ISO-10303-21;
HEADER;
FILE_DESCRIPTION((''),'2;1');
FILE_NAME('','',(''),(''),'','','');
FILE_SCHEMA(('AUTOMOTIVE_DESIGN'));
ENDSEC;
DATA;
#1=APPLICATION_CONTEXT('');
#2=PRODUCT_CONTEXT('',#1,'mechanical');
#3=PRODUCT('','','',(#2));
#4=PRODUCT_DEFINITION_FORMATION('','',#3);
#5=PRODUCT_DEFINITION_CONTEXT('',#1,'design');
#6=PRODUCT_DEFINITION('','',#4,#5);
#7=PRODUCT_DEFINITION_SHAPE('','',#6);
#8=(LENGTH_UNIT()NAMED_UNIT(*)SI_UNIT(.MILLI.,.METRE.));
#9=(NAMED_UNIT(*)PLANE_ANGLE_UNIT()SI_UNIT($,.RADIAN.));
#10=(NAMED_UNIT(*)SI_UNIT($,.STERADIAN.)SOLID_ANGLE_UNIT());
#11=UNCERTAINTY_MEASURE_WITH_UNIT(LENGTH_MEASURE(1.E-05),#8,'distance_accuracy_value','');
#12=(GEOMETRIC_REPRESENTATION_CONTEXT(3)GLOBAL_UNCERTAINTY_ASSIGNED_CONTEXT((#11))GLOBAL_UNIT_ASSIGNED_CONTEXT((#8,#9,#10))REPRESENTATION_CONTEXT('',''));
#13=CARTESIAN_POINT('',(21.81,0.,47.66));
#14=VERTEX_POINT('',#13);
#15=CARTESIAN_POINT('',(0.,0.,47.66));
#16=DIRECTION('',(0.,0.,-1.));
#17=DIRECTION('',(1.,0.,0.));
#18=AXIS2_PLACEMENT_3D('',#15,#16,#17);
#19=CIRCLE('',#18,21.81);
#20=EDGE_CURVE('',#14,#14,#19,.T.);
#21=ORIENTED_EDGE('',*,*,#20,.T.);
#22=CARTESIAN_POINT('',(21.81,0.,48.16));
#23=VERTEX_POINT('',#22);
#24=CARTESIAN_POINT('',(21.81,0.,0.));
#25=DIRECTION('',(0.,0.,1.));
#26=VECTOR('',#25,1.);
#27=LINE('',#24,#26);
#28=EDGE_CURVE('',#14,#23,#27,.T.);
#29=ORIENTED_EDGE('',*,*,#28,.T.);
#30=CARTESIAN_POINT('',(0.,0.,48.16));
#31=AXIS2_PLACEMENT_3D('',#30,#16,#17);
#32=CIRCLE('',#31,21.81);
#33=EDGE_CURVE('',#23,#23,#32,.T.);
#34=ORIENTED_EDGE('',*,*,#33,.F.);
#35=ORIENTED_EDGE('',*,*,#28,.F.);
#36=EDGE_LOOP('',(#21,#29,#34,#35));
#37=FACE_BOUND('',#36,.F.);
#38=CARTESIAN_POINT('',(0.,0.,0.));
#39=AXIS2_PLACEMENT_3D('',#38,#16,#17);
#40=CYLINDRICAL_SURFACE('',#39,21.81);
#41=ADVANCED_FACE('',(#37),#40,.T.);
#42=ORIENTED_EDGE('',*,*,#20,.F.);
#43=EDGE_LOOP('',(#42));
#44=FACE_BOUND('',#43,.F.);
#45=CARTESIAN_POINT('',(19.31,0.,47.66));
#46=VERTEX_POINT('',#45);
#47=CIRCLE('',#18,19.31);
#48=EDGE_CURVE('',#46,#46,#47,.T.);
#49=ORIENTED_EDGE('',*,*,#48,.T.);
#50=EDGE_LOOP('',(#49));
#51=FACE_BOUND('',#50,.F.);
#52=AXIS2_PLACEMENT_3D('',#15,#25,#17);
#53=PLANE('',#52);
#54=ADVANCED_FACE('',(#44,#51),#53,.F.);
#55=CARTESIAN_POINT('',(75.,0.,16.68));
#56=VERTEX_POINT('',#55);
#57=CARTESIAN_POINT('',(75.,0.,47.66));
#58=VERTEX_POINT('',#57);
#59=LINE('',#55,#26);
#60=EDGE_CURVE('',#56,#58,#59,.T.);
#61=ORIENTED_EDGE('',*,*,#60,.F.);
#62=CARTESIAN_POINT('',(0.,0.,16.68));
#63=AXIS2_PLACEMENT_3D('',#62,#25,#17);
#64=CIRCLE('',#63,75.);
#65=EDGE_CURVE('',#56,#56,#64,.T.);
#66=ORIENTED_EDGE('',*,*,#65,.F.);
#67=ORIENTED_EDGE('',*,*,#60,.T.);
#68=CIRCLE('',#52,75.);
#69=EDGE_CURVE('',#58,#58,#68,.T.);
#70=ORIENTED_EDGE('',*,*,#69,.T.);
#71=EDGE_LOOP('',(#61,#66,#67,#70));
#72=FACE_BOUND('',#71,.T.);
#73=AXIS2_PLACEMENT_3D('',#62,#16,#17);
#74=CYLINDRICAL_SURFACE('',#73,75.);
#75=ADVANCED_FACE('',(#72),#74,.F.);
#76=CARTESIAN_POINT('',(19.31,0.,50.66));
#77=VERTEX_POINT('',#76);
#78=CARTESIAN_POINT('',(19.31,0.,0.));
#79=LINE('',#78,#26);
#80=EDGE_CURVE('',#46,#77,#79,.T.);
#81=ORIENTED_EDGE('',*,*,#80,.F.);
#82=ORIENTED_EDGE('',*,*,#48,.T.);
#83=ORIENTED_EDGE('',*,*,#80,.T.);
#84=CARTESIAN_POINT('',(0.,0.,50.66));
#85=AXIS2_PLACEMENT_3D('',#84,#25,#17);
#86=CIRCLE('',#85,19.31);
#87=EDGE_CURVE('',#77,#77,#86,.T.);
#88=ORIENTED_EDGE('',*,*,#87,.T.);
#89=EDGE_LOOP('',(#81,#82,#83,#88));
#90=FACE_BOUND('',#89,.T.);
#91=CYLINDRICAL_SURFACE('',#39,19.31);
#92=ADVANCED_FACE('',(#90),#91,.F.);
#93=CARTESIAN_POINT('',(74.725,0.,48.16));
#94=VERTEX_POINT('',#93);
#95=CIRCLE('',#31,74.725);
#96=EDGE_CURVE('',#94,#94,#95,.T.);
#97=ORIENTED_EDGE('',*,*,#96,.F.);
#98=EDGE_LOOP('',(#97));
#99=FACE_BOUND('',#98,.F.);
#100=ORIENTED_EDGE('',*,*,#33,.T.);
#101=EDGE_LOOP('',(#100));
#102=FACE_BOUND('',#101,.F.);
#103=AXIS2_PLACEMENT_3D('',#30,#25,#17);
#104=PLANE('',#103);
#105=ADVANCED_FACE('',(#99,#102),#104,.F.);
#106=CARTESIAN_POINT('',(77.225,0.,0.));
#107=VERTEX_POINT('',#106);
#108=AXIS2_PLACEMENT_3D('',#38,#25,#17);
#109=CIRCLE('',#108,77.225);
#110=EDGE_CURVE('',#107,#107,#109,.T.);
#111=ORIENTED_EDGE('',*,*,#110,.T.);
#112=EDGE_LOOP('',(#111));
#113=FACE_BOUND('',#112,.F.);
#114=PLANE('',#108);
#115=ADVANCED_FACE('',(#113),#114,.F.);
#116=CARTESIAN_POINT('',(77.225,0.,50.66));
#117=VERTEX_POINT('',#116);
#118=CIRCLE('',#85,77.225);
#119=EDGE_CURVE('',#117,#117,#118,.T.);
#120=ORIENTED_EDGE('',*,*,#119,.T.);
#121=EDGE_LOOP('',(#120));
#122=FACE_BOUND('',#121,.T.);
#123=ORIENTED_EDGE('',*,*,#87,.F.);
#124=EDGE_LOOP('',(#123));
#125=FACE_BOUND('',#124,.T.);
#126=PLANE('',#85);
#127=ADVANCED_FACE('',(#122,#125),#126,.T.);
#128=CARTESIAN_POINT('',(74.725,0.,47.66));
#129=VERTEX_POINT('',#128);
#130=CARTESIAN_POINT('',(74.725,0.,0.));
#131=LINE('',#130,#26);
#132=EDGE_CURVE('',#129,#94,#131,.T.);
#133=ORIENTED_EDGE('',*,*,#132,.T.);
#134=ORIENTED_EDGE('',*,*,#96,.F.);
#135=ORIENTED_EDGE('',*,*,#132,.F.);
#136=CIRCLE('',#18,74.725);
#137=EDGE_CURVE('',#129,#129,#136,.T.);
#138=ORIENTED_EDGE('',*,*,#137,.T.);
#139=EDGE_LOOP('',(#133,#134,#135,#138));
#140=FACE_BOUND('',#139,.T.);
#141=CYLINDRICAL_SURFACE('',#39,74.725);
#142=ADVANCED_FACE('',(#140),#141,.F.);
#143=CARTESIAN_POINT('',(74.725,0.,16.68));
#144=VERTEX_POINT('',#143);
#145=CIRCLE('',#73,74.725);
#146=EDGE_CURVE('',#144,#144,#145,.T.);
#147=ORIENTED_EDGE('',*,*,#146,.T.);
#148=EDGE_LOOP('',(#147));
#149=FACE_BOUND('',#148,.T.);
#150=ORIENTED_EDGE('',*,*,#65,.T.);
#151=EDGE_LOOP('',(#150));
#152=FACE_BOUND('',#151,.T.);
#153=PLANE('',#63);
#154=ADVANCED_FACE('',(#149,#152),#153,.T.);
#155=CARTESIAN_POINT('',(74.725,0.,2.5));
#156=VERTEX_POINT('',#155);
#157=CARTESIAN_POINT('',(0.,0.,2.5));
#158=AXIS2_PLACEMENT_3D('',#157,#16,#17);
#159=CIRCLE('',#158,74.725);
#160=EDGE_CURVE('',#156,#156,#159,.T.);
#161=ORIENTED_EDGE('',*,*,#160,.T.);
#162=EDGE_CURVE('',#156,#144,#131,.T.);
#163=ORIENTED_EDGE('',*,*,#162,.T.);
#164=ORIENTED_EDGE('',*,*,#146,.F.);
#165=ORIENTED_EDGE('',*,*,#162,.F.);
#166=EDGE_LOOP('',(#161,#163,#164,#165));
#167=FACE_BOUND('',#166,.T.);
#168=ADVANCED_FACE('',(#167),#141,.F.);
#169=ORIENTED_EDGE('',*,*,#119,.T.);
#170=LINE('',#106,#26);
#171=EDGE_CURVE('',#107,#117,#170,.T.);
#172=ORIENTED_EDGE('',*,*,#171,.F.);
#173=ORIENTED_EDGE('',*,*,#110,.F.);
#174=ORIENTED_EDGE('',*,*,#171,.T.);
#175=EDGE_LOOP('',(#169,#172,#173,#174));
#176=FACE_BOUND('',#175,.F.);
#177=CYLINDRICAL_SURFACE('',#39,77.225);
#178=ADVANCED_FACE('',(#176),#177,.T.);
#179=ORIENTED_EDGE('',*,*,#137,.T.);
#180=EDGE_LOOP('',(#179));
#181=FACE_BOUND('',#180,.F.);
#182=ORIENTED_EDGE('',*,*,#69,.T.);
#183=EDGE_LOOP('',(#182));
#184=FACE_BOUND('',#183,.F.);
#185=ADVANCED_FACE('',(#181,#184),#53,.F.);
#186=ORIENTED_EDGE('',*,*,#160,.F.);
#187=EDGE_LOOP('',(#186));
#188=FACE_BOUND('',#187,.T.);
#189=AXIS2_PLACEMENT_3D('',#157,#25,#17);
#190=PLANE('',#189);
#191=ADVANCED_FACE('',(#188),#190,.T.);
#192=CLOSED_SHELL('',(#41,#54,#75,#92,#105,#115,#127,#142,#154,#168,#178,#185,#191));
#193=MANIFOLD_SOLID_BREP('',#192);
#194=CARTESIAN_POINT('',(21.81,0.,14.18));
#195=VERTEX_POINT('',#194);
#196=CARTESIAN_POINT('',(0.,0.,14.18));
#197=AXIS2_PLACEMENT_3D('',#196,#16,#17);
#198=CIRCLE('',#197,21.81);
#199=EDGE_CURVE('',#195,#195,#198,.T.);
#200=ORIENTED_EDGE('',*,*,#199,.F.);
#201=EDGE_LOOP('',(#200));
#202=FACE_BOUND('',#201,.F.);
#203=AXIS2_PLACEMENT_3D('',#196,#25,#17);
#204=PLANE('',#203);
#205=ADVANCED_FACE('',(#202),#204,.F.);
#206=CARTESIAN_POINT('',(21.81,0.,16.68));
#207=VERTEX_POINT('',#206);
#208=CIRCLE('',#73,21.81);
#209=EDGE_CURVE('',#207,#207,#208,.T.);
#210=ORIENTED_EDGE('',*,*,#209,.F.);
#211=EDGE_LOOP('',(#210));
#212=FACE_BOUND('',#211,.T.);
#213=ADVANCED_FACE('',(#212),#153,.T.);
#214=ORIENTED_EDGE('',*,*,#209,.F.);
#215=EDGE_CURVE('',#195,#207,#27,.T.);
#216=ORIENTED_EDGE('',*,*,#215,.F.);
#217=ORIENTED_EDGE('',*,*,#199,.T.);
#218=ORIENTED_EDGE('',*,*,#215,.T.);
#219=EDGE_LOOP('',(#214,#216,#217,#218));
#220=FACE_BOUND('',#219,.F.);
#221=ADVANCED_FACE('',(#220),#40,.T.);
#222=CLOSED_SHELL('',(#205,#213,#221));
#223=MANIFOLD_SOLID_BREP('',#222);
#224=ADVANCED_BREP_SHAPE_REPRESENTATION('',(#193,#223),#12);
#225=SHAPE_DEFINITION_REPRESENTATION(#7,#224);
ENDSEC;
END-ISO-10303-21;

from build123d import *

# Parameters (mm, degrees)
F0_R     = 19.31
F1_DEPTH = 16.68
F0_R_2   = 77.225
F2_DEPTH = 50.66
F3_T     = -2.5
F4_R     = 75
F5_DEPTH = 30.98


with BuildPart() as f1:
    # F0 (on Top) → F1 (new body)
    with BuildSketch(Plane.XY):
        Circle(F0_R)
    extrude(amount=F1_DEPTH)

    # F0 (on Top) → F2 (join)
    with BuildSketch(Plane.XY):
        Circle(F0_R_2)
        Circle(F0_R, mode=Mode.SUBTRACT)
    extrude(amount=F2_DEPTH)

    # F3 (hollow: no face is removed)
    offset(amount=F3_T, kind=Kind.INTERSECTION, mode=Mode.SUBTRACT)

    # F4 (on face) → F5 (cut)
    with BuildSketch(Plane.XY.offset(16.68)):
        Circle(F4_R)
    extrude(amount=F5_DEPTH, mode=Mode.SUBTRACT)


solid = f1.part
